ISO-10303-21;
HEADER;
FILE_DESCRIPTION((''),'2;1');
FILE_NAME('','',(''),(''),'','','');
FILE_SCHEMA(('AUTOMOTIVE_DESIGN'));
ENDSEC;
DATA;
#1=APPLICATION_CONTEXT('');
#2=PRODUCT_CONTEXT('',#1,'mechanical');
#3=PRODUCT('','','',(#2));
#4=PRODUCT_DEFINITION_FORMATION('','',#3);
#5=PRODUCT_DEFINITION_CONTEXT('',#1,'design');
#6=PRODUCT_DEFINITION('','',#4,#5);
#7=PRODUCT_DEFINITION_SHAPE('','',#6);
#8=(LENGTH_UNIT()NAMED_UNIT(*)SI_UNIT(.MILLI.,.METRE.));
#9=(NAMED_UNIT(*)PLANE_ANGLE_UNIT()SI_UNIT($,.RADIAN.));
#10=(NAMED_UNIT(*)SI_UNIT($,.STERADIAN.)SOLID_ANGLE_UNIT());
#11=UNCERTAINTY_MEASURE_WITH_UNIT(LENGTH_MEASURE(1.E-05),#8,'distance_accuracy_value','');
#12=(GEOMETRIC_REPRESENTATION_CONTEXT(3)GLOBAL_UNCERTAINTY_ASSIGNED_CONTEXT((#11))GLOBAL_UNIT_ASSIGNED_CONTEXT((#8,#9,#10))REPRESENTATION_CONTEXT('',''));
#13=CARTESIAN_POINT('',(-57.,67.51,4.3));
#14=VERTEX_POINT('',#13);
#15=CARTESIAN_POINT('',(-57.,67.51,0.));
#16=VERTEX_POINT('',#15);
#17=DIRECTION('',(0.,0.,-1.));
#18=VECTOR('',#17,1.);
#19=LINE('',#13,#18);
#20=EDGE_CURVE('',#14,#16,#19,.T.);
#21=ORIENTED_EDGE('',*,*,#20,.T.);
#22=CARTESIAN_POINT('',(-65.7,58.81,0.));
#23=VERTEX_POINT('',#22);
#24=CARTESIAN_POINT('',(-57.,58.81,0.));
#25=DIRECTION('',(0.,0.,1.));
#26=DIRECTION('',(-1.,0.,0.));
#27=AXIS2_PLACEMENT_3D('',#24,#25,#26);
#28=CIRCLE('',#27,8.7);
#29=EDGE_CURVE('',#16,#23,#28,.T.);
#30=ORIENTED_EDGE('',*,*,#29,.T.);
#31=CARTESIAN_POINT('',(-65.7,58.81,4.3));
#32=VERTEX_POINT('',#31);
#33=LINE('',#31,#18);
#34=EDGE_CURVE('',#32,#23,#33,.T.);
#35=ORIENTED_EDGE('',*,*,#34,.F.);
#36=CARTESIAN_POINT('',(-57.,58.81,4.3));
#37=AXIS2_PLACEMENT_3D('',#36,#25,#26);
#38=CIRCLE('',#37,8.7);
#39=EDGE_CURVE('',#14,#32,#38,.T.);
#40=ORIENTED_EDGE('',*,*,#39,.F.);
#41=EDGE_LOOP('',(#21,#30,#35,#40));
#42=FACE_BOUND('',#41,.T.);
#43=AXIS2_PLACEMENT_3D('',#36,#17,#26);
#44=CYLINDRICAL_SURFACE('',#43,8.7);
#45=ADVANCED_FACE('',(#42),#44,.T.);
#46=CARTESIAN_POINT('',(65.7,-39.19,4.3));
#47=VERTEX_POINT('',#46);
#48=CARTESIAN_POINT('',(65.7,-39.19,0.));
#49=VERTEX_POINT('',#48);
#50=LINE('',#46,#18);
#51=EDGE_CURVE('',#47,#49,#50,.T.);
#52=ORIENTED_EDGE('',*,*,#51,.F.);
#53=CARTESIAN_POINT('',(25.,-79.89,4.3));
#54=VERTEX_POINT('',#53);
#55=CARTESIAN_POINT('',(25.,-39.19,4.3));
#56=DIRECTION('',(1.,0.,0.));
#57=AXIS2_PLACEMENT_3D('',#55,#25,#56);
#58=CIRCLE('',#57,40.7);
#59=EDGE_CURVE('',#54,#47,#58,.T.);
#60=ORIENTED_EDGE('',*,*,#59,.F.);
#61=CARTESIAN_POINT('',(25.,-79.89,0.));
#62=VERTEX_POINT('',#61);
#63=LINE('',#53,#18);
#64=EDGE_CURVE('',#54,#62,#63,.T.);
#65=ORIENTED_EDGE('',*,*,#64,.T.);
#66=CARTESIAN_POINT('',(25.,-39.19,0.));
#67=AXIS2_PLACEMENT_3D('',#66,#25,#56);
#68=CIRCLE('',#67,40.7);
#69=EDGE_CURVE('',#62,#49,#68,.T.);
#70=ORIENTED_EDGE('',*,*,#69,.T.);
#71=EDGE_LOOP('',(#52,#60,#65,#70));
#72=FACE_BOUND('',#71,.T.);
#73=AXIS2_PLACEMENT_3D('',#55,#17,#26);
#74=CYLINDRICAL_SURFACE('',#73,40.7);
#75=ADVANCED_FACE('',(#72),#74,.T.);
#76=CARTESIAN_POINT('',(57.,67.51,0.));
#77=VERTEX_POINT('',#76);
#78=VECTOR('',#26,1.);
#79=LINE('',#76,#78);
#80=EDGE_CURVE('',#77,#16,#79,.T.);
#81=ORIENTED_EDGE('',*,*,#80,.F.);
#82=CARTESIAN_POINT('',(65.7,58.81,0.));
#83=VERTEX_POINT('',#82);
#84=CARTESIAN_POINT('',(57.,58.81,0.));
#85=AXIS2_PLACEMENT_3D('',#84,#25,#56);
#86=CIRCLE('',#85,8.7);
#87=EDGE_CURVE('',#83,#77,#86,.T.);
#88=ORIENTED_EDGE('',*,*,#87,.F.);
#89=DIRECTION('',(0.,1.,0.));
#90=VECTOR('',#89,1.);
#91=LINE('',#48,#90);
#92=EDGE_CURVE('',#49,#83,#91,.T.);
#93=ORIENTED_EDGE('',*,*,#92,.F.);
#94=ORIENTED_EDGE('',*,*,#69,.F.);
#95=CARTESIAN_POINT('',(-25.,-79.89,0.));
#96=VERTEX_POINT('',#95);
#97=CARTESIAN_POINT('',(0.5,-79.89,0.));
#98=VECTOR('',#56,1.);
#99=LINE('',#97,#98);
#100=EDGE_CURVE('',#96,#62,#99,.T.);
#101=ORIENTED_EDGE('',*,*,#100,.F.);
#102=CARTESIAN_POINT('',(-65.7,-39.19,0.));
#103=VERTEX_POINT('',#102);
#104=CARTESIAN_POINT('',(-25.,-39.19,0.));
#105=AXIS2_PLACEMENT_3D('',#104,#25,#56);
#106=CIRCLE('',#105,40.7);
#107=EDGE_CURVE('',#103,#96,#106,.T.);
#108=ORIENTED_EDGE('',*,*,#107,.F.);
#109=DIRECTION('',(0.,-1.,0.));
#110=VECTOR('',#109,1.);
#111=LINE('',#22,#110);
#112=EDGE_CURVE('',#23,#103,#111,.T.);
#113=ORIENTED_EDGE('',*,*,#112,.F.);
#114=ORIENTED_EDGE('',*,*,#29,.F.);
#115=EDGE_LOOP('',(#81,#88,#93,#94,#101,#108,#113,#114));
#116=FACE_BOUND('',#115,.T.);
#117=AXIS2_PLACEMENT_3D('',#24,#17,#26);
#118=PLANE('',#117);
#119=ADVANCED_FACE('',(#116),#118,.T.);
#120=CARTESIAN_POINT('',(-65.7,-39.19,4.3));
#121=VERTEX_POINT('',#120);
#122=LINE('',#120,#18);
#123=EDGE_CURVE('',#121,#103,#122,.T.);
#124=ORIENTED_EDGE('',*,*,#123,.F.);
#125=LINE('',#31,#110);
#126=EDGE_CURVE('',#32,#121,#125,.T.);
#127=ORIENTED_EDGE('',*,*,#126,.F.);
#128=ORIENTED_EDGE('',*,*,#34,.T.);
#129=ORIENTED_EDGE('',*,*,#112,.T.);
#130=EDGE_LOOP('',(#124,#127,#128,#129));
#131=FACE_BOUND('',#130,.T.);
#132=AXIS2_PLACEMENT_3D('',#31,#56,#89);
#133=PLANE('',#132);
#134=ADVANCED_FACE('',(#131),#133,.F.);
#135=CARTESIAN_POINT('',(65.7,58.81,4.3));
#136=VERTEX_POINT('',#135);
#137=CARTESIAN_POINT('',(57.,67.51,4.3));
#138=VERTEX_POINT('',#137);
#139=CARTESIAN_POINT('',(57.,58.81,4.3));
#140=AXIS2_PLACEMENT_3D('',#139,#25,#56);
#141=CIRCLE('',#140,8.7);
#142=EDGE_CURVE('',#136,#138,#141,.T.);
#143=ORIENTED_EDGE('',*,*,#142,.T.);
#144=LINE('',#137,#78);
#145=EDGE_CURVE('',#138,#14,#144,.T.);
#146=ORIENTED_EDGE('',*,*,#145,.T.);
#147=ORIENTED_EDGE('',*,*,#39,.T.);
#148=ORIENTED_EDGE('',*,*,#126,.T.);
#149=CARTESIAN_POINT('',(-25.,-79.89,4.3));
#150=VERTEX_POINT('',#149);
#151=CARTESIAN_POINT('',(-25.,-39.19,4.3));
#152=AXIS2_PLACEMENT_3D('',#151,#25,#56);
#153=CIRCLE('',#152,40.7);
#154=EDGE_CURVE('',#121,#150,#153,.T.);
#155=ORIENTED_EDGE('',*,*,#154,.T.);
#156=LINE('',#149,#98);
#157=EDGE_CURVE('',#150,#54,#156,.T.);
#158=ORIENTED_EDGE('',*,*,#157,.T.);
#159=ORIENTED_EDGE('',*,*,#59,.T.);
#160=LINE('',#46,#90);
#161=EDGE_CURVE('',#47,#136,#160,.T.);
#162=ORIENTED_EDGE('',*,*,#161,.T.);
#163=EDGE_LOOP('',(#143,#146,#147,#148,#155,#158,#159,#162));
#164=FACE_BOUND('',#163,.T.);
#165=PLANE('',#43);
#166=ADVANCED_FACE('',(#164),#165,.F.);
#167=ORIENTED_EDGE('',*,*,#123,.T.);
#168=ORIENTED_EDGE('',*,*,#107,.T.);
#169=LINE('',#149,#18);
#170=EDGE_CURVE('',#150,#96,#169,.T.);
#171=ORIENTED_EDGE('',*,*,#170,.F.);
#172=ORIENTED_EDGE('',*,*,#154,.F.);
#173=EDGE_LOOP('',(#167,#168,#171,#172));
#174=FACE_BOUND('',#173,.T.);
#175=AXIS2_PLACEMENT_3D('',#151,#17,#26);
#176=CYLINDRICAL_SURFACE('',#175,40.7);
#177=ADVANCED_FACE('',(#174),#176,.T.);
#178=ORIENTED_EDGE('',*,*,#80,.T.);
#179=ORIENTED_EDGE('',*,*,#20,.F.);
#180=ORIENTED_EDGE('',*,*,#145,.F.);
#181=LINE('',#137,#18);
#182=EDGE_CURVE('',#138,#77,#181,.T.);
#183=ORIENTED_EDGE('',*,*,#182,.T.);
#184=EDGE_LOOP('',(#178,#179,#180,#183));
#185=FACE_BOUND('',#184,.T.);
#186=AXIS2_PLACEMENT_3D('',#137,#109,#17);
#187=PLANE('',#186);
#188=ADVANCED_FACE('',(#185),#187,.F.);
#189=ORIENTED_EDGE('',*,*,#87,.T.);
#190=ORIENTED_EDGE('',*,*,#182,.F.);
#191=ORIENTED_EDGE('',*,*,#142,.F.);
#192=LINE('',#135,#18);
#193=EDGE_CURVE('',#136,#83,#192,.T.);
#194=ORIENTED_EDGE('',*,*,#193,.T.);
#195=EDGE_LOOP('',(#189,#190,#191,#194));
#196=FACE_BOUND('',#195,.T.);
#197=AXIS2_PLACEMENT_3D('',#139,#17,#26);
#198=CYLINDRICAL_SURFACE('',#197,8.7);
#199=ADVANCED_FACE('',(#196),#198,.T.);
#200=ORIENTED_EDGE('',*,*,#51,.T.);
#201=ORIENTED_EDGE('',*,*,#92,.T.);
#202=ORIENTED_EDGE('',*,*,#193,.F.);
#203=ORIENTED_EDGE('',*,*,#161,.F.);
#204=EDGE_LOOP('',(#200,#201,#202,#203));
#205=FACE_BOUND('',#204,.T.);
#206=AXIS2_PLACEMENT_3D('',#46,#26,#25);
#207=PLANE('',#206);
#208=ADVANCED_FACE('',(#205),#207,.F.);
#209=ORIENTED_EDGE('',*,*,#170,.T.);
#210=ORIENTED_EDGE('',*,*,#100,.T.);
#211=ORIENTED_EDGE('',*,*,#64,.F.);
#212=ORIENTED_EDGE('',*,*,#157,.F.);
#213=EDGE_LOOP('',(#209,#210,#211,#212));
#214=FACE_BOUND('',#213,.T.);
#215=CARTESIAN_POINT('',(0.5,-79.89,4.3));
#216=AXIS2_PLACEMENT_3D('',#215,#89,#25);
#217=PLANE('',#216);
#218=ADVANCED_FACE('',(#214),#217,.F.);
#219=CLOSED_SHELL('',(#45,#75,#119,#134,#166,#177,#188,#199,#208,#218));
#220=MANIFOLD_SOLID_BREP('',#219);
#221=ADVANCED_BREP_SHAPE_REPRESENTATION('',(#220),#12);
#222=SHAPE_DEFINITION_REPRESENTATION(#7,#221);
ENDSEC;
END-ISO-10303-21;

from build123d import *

# Parameters (mm, degrees)
BOSS_EXTRUDE1_DEPTH = 4.3


with BuildPart() as part:
    # Sketch1 → Boss-Extrude1 (new body)
    with BuildSketch(Plane.XY):
        with BuildLine():
            Line((-65.7, 58.81), (-65.7, -39.19))
            ThreePointArc((-65.7, -39.19), (-53.779245994, -67.969245994), (-25, -79.89))
            Line((-25, -79.89), (-0.5, -79.89))
            Line((-0.5, -79.89), (0.5, -79.89))
            Line((0.5, -79.89), (25, -79.89))
            ThreePointArc((25, -79.89), (53.779245994, -67.969245994), (65.7, -39.19))
            Line((65.7, -39.19), (65.7, 58.81))
            ThreePointArc((65.7, 58.81), (63.151828996, 64.961828996), (57, 67.51))
            Line((57, 67.51), (-57, 67.51))
            ThreePointArc((-57, 67.51), (-63.151828996, 64.961828996), (-65.7, 58.81))
        make_face()
    extrude(amount=BOSS_EXTRUDE1_DEPTH)


solid = part.part
